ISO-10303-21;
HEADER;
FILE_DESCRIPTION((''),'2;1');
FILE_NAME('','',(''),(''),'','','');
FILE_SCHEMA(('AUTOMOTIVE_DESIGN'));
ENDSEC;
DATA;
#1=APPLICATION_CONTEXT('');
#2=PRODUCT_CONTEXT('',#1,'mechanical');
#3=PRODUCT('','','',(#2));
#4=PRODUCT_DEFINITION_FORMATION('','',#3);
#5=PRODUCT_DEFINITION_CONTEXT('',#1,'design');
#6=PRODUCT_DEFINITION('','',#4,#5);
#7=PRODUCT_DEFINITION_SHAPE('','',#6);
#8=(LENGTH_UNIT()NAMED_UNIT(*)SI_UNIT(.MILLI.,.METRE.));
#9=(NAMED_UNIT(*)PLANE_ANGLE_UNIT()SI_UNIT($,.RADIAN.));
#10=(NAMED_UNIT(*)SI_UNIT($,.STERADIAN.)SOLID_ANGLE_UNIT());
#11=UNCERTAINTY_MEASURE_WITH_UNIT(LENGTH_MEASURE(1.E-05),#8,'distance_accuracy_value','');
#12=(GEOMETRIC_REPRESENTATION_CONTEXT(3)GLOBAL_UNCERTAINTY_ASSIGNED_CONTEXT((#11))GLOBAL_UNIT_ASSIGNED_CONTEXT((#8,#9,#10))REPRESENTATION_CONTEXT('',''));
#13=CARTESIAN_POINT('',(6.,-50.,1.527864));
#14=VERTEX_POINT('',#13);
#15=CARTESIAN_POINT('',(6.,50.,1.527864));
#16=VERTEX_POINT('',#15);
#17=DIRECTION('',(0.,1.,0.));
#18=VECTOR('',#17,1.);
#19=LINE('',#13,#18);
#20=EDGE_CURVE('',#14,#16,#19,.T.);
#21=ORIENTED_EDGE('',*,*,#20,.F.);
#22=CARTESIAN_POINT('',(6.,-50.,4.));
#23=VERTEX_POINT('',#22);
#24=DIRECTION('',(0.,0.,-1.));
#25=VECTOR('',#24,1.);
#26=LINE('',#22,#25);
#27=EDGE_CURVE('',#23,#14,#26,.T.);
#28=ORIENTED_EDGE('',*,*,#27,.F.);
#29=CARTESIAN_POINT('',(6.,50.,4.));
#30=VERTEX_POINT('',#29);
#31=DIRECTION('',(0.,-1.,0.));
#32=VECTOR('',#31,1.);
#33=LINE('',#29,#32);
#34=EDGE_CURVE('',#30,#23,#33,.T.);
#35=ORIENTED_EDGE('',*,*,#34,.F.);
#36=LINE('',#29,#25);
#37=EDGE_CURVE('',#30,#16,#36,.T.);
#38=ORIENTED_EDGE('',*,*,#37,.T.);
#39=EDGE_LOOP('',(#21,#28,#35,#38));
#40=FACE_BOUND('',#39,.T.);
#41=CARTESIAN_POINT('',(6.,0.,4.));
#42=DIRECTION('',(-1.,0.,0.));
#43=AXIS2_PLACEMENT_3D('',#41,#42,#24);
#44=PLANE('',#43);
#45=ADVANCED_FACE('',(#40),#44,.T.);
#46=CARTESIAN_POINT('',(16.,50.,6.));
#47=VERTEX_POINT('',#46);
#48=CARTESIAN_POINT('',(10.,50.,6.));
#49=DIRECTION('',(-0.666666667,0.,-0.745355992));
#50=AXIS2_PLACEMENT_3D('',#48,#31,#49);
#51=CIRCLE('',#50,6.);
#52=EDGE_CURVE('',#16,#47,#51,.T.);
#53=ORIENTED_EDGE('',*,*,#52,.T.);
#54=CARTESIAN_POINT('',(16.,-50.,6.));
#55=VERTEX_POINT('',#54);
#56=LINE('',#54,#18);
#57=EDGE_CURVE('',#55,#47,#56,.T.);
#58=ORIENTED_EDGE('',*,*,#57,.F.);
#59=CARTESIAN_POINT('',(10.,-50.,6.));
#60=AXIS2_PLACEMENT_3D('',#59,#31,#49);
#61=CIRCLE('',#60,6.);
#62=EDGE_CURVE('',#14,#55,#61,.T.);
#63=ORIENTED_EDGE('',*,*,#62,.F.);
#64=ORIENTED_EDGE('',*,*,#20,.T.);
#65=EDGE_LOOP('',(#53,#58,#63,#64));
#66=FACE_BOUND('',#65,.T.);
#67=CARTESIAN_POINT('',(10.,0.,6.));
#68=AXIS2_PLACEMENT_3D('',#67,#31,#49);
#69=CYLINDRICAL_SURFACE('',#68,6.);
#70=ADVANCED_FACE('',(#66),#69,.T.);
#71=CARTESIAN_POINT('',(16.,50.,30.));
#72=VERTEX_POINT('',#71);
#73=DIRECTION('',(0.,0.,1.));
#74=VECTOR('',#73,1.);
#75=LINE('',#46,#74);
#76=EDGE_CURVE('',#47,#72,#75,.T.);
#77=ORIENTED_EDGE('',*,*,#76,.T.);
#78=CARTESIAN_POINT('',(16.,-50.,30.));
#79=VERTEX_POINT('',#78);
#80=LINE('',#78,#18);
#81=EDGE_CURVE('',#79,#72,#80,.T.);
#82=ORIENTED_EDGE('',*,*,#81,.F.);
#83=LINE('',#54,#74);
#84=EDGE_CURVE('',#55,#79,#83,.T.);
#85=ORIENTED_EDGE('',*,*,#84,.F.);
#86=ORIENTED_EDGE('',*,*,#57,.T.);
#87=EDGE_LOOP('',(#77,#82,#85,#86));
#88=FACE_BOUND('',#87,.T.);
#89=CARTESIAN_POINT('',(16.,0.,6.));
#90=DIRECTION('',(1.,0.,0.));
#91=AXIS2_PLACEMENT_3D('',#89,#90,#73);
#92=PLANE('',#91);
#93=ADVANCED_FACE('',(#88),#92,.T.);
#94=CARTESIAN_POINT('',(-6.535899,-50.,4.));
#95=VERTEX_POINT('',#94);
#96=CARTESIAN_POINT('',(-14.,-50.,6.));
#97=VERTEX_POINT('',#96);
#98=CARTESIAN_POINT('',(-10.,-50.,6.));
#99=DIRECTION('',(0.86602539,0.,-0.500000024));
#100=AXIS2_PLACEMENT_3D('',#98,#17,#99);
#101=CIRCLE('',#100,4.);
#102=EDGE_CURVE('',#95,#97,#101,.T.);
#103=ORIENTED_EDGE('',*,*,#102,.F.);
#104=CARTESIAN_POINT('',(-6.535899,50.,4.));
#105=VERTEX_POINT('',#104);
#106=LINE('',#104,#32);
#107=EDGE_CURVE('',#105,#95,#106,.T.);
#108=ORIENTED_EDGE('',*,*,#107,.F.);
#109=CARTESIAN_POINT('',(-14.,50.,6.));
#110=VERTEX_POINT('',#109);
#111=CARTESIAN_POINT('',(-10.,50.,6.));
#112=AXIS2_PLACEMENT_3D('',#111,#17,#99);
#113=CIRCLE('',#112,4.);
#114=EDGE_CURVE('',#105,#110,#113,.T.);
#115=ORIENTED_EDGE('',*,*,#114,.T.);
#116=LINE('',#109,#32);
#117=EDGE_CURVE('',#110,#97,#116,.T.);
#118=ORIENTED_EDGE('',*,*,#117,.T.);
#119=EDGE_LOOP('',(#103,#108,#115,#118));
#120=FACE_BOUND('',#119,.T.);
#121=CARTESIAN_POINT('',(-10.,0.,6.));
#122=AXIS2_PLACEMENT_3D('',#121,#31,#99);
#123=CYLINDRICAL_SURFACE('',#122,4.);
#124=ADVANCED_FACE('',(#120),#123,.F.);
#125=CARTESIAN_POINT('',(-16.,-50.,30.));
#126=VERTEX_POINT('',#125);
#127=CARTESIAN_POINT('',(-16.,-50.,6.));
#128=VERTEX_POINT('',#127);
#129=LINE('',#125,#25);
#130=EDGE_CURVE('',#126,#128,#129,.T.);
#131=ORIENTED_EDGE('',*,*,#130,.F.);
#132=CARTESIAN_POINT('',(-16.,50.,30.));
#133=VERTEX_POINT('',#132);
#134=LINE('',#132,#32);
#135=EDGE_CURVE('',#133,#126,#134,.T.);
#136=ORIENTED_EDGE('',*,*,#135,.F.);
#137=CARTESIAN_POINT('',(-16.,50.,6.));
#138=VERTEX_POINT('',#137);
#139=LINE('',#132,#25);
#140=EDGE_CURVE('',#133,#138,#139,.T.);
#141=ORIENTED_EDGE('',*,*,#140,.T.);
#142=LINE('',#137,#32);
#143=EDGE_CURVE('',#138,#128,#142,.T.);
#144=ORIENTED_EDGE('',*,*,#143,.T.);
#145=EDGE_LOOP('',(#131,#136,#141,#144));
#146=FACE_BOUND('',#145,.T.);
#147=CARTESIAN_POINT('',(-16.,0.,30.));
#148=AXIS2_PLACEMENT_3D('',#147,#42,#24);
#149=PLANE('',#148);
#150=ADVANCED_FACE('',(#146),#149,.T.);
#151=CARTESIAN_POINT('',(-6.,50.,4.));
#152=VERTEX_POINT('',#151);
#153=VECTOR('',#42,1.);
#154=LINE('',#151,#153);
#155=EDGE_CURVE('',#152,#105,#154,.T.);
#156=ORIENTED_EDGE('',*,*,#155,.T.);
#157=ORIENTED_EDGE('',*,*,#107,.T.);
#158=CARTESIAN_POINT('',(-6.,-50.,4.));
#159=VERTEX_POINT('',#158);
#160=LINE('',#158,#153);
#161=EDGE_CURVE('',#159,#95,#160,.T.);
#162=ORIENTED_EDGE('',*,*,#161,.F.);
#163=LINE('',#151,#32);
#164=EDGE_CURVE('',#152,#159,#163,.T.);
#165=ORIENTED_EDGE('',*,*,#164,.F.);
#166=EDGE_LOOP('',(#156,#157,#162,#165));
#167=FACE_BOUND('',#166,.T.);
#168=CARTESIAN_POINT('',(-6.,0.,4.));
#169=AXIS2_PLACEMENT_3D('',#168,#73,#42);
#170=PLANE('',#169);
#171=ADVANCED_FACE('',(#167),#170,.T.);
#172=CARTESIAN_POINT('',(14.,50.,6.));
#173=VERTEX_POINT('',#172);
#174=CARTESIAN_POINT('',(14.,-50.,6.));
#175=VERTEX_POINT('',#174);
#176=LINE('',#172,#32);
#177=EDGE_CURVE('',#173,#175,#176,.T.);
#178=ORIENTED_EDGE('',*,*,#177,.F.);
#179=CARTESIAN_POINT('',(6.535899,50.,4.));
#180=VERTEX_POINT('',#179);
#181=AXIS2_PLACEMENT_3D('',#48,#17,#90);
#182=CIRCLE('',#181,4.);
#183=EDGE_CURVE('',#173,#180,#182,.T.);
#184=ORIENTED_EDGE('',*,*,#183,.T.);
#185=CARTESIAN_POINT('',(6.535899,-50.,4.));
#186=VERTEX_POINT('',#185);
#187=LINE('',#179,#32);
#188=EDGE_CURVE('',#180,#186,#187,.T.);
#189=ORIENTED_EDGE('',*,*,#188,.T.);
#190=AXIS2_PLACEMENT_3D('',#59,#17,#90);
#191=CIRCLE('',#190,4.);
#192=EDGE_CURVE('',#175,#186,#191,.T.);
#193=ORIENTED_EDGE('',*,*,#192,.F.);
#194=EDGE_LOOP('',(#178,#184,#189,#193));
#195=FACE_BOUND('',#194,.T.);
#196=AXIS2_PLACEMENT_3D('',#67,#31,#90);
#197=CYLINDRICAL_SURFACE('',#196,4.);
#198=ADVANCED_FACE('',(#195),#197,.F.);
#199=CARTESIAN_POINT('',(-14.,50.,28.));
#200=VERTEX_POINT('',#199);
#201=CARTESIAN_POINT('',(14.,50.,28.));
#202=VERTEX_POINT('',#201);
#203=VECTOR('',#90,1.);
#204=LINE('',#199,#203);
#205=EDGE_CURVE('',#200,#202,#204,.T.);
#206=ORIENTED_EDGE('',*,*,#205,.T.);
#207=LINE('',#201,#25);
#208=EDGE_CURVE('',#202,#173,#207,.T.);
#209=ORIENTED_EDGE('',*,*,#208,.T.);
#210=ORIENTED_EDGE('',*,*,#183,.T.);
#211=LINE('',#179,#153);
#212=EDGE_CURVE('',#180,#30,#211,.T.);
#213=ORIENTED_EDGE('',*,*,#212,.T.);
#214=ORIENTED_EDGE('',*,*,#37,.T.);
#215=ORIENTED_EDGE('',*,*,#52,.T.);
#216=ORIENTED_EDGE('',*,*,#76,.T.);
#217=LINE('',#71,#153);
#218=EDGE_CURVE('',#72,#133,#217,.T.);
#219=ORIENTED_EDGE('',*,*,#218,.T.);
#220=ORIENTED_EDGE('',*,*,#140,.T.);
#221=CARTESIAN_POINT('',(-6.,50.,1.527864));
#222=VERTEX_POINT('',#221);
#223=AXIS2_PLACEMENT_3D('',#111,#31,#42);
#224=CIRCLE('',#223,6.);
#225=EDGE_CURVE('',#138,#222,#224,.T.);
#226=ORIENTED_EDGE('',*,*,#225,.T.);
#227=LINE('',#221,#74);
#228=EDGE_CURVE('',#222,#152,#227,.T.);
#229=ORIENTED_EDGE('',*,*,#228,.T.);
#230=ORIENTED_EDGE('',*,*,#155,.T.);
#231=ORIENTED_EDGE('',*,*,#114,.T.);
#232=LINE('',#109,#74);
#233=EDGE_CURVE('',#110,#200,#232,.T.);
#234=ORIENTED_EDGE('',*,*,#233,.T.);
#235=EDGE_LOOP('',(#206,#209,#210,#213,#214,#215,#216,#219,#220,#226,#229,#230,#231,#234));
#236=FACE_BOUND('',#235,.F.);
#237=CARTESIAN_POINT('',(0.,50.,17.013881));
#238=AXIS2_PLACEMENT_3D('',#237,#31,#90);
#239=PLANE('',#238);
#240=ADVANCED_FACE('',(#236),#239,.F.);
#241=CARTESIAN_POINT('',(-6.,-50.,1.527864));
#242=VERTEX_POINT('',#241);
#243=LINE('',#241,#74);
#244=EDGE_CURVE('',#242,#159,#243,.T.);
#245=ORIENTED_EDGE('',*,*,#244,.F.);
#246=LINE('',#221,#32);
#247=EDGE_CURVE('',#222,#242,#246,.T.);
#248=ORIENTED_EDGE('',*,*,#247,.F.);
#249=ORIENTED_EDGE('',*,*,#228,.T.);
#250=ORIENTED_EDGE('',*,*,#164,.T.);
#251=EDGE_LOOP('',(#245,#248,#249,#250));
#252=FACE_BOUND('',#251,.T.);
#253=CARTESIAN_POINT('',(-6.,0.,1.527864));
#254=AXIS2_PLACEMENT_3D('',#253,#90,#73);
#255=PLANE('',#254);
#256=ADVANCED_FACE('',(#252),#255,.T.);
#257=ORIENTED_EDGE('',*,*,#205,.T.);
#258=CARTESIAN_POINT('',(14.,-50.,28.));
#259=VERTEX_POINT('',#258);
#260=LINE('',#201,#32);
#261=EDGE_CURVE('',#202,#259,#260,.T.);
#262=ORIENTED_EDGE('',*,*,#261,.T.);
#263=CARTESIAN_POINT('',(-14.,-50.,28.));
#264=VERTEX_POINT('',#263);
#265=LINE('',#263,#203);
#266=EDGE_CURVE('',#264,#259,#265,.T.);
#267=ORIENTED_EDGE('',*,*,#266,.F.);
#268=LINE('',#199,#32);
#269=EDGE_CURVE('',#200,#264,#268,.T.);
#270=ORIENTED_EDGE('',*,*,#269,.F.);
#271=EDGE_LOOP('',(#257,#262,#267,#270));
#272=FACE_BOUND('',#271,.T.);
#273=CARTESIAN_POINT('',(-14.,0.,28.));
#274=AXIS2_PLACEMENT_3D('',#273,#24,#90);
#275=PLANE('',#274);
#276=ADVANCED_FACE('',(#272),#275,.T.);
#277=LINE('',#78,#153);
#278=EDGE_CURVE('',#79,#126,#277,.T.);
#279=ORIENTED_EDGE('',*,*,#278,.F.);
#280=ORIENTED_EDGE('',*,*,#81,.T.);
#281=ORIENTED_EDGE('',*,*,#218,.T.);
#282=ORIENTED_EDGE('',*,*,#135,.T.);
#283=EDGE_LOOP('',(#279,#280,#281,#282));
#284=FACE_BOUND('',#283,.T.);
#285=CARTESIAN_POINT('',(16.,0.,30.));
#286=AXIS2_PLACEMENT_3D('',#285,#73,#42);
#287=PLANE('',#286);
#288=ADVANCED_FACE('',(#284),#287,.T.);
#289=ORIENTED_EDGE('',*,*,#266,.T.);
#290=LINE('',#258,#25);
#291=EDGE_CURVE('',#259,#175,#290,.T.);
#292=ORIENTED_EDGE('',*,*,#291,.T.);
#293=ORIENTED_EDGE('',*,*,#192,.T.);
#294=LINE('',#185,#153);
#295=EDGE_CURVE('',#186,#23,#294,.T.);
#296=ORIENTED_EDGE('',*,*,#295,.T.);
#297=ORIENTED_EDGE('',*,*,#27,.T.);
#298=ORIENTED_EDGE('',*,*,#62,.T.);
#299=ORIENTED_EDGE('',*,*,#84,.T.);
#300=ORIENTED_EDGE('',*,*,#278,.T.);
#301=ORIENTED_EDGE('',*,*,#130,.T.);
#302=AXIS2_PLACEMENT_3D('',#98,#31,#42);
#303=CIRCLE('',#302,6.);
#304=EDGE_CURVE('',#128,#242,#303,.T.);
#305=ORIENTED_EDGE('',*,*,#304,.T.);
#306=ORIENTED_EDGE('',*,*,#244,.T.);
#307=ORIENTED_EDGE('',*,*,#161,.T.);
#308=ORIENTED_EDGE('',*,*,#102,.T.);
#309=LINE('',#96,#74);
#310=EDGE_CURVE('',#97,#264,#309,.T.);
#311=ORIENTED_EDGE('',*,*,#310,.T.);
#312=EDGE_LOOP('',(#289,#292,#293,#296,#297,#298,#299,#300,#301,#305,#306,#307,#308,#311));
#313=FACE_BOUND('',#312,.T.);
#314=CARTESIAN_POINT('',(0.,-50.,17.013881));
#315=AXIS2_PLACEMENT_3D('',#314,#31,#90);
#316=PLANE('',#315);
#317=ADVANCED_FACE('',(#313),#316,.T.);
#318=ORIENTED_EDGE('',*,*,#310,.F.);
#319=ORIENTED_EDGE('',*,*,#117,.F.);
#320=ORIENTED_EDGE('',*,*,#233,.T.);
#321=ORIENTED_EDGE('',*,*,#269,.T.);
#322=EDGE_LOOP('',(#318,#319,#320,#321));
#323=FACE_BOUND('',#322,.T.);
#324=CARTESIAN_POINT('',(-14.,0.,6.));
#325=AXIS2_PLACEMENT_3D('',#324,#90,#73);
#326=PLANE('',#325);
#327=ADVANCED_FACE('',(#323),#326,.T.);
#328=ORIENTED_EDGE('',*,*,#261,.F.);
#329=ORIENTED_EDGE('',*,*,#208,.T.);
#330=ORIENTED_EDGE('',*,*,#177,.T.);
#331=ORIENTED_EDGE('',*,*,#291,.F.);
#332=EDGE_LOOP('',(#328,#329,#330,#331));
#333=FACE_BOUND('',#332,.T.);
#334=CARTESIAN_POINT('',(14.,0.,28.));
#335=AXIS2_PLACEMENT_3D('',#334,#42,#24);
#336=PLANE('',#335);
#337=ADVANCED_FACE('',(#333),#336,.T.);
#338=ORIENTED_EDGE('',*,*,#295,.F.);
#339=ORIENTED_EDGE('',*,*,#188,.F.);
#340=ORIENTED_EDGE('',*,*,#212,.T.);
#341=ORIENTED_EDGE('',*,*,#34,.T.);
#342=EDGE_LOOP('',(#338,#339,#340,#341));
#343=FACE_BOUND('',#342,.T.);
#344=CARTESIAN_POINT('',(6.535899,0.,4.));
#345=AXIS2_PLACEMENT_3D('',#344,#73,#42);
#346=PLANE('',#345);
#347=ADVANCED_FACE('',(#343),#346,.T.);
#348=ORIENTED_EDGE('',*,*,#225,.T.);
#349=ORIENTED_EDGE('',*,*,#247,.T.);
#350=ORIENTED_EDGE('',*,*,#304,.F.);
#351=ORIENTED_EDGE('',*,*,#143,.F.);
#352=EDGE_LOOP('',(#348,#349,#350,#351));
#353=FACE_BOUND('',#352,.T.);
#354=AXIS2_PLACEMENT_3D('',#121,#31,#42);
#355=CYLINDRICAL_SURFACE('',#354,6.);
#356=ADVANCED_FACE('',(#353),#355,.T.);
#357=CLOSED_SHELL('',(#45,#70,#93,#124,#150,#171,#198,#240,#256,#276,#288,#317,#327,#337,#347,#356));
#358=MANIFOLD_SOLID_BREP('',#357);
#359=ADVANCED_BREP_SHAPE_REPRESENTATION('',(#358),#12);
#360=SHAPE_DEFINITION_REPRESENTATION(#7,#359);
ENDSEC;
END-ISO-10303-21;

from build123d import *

# Parameters (mm, degrees)
F1_DEPTH = 50


with BuildPart() as f1:
    # F0 (on Front) → F1 (new body, symmetric)
    with BuildSketch(Plane.XZ):
        with BuildLine():
            Line((16, 30), (-16, 30))
            Line((-16, 30), (-16, 6))
            ThreePointArc((-16, 6), (-12.4494897428, 0.5227744249), (-6, 1.527864045))
            Line((-6, 1.527864045), (-6, 4))
            Line((-6, 4), (-6.5358986055, 4))
            ThreePointArc((-6.5358986055, 4), (-11.0352761842, 2.1362968937), (-13.9999998089, 6))
            Line((-13.9999998089, 6), (-13.9999998089, 27.9999998089))
            Line((-13.9999998089, 27.9999998089), (13.9999998089, 27.9999998089))
            Line((13.9999998089, 27.9999998089), (13.9999998089, 6))
            ThreePointArc((13.9999998089, 6), (11.0352761842, 2.1362968937), (6.5358986055, 4))
            Line((6.5358986055, 4), (6, 4))
            Line((6, 4), (6, 1.527864045))
            ThreePointArc((6, 1.527864045), (12.4494897428, 0.5227744249), (16, 6))
            Line((16, 6), (16, 30))
        make_face()
    extrude(amount=F1_DEPTH, both=True)


solid = f1.part
